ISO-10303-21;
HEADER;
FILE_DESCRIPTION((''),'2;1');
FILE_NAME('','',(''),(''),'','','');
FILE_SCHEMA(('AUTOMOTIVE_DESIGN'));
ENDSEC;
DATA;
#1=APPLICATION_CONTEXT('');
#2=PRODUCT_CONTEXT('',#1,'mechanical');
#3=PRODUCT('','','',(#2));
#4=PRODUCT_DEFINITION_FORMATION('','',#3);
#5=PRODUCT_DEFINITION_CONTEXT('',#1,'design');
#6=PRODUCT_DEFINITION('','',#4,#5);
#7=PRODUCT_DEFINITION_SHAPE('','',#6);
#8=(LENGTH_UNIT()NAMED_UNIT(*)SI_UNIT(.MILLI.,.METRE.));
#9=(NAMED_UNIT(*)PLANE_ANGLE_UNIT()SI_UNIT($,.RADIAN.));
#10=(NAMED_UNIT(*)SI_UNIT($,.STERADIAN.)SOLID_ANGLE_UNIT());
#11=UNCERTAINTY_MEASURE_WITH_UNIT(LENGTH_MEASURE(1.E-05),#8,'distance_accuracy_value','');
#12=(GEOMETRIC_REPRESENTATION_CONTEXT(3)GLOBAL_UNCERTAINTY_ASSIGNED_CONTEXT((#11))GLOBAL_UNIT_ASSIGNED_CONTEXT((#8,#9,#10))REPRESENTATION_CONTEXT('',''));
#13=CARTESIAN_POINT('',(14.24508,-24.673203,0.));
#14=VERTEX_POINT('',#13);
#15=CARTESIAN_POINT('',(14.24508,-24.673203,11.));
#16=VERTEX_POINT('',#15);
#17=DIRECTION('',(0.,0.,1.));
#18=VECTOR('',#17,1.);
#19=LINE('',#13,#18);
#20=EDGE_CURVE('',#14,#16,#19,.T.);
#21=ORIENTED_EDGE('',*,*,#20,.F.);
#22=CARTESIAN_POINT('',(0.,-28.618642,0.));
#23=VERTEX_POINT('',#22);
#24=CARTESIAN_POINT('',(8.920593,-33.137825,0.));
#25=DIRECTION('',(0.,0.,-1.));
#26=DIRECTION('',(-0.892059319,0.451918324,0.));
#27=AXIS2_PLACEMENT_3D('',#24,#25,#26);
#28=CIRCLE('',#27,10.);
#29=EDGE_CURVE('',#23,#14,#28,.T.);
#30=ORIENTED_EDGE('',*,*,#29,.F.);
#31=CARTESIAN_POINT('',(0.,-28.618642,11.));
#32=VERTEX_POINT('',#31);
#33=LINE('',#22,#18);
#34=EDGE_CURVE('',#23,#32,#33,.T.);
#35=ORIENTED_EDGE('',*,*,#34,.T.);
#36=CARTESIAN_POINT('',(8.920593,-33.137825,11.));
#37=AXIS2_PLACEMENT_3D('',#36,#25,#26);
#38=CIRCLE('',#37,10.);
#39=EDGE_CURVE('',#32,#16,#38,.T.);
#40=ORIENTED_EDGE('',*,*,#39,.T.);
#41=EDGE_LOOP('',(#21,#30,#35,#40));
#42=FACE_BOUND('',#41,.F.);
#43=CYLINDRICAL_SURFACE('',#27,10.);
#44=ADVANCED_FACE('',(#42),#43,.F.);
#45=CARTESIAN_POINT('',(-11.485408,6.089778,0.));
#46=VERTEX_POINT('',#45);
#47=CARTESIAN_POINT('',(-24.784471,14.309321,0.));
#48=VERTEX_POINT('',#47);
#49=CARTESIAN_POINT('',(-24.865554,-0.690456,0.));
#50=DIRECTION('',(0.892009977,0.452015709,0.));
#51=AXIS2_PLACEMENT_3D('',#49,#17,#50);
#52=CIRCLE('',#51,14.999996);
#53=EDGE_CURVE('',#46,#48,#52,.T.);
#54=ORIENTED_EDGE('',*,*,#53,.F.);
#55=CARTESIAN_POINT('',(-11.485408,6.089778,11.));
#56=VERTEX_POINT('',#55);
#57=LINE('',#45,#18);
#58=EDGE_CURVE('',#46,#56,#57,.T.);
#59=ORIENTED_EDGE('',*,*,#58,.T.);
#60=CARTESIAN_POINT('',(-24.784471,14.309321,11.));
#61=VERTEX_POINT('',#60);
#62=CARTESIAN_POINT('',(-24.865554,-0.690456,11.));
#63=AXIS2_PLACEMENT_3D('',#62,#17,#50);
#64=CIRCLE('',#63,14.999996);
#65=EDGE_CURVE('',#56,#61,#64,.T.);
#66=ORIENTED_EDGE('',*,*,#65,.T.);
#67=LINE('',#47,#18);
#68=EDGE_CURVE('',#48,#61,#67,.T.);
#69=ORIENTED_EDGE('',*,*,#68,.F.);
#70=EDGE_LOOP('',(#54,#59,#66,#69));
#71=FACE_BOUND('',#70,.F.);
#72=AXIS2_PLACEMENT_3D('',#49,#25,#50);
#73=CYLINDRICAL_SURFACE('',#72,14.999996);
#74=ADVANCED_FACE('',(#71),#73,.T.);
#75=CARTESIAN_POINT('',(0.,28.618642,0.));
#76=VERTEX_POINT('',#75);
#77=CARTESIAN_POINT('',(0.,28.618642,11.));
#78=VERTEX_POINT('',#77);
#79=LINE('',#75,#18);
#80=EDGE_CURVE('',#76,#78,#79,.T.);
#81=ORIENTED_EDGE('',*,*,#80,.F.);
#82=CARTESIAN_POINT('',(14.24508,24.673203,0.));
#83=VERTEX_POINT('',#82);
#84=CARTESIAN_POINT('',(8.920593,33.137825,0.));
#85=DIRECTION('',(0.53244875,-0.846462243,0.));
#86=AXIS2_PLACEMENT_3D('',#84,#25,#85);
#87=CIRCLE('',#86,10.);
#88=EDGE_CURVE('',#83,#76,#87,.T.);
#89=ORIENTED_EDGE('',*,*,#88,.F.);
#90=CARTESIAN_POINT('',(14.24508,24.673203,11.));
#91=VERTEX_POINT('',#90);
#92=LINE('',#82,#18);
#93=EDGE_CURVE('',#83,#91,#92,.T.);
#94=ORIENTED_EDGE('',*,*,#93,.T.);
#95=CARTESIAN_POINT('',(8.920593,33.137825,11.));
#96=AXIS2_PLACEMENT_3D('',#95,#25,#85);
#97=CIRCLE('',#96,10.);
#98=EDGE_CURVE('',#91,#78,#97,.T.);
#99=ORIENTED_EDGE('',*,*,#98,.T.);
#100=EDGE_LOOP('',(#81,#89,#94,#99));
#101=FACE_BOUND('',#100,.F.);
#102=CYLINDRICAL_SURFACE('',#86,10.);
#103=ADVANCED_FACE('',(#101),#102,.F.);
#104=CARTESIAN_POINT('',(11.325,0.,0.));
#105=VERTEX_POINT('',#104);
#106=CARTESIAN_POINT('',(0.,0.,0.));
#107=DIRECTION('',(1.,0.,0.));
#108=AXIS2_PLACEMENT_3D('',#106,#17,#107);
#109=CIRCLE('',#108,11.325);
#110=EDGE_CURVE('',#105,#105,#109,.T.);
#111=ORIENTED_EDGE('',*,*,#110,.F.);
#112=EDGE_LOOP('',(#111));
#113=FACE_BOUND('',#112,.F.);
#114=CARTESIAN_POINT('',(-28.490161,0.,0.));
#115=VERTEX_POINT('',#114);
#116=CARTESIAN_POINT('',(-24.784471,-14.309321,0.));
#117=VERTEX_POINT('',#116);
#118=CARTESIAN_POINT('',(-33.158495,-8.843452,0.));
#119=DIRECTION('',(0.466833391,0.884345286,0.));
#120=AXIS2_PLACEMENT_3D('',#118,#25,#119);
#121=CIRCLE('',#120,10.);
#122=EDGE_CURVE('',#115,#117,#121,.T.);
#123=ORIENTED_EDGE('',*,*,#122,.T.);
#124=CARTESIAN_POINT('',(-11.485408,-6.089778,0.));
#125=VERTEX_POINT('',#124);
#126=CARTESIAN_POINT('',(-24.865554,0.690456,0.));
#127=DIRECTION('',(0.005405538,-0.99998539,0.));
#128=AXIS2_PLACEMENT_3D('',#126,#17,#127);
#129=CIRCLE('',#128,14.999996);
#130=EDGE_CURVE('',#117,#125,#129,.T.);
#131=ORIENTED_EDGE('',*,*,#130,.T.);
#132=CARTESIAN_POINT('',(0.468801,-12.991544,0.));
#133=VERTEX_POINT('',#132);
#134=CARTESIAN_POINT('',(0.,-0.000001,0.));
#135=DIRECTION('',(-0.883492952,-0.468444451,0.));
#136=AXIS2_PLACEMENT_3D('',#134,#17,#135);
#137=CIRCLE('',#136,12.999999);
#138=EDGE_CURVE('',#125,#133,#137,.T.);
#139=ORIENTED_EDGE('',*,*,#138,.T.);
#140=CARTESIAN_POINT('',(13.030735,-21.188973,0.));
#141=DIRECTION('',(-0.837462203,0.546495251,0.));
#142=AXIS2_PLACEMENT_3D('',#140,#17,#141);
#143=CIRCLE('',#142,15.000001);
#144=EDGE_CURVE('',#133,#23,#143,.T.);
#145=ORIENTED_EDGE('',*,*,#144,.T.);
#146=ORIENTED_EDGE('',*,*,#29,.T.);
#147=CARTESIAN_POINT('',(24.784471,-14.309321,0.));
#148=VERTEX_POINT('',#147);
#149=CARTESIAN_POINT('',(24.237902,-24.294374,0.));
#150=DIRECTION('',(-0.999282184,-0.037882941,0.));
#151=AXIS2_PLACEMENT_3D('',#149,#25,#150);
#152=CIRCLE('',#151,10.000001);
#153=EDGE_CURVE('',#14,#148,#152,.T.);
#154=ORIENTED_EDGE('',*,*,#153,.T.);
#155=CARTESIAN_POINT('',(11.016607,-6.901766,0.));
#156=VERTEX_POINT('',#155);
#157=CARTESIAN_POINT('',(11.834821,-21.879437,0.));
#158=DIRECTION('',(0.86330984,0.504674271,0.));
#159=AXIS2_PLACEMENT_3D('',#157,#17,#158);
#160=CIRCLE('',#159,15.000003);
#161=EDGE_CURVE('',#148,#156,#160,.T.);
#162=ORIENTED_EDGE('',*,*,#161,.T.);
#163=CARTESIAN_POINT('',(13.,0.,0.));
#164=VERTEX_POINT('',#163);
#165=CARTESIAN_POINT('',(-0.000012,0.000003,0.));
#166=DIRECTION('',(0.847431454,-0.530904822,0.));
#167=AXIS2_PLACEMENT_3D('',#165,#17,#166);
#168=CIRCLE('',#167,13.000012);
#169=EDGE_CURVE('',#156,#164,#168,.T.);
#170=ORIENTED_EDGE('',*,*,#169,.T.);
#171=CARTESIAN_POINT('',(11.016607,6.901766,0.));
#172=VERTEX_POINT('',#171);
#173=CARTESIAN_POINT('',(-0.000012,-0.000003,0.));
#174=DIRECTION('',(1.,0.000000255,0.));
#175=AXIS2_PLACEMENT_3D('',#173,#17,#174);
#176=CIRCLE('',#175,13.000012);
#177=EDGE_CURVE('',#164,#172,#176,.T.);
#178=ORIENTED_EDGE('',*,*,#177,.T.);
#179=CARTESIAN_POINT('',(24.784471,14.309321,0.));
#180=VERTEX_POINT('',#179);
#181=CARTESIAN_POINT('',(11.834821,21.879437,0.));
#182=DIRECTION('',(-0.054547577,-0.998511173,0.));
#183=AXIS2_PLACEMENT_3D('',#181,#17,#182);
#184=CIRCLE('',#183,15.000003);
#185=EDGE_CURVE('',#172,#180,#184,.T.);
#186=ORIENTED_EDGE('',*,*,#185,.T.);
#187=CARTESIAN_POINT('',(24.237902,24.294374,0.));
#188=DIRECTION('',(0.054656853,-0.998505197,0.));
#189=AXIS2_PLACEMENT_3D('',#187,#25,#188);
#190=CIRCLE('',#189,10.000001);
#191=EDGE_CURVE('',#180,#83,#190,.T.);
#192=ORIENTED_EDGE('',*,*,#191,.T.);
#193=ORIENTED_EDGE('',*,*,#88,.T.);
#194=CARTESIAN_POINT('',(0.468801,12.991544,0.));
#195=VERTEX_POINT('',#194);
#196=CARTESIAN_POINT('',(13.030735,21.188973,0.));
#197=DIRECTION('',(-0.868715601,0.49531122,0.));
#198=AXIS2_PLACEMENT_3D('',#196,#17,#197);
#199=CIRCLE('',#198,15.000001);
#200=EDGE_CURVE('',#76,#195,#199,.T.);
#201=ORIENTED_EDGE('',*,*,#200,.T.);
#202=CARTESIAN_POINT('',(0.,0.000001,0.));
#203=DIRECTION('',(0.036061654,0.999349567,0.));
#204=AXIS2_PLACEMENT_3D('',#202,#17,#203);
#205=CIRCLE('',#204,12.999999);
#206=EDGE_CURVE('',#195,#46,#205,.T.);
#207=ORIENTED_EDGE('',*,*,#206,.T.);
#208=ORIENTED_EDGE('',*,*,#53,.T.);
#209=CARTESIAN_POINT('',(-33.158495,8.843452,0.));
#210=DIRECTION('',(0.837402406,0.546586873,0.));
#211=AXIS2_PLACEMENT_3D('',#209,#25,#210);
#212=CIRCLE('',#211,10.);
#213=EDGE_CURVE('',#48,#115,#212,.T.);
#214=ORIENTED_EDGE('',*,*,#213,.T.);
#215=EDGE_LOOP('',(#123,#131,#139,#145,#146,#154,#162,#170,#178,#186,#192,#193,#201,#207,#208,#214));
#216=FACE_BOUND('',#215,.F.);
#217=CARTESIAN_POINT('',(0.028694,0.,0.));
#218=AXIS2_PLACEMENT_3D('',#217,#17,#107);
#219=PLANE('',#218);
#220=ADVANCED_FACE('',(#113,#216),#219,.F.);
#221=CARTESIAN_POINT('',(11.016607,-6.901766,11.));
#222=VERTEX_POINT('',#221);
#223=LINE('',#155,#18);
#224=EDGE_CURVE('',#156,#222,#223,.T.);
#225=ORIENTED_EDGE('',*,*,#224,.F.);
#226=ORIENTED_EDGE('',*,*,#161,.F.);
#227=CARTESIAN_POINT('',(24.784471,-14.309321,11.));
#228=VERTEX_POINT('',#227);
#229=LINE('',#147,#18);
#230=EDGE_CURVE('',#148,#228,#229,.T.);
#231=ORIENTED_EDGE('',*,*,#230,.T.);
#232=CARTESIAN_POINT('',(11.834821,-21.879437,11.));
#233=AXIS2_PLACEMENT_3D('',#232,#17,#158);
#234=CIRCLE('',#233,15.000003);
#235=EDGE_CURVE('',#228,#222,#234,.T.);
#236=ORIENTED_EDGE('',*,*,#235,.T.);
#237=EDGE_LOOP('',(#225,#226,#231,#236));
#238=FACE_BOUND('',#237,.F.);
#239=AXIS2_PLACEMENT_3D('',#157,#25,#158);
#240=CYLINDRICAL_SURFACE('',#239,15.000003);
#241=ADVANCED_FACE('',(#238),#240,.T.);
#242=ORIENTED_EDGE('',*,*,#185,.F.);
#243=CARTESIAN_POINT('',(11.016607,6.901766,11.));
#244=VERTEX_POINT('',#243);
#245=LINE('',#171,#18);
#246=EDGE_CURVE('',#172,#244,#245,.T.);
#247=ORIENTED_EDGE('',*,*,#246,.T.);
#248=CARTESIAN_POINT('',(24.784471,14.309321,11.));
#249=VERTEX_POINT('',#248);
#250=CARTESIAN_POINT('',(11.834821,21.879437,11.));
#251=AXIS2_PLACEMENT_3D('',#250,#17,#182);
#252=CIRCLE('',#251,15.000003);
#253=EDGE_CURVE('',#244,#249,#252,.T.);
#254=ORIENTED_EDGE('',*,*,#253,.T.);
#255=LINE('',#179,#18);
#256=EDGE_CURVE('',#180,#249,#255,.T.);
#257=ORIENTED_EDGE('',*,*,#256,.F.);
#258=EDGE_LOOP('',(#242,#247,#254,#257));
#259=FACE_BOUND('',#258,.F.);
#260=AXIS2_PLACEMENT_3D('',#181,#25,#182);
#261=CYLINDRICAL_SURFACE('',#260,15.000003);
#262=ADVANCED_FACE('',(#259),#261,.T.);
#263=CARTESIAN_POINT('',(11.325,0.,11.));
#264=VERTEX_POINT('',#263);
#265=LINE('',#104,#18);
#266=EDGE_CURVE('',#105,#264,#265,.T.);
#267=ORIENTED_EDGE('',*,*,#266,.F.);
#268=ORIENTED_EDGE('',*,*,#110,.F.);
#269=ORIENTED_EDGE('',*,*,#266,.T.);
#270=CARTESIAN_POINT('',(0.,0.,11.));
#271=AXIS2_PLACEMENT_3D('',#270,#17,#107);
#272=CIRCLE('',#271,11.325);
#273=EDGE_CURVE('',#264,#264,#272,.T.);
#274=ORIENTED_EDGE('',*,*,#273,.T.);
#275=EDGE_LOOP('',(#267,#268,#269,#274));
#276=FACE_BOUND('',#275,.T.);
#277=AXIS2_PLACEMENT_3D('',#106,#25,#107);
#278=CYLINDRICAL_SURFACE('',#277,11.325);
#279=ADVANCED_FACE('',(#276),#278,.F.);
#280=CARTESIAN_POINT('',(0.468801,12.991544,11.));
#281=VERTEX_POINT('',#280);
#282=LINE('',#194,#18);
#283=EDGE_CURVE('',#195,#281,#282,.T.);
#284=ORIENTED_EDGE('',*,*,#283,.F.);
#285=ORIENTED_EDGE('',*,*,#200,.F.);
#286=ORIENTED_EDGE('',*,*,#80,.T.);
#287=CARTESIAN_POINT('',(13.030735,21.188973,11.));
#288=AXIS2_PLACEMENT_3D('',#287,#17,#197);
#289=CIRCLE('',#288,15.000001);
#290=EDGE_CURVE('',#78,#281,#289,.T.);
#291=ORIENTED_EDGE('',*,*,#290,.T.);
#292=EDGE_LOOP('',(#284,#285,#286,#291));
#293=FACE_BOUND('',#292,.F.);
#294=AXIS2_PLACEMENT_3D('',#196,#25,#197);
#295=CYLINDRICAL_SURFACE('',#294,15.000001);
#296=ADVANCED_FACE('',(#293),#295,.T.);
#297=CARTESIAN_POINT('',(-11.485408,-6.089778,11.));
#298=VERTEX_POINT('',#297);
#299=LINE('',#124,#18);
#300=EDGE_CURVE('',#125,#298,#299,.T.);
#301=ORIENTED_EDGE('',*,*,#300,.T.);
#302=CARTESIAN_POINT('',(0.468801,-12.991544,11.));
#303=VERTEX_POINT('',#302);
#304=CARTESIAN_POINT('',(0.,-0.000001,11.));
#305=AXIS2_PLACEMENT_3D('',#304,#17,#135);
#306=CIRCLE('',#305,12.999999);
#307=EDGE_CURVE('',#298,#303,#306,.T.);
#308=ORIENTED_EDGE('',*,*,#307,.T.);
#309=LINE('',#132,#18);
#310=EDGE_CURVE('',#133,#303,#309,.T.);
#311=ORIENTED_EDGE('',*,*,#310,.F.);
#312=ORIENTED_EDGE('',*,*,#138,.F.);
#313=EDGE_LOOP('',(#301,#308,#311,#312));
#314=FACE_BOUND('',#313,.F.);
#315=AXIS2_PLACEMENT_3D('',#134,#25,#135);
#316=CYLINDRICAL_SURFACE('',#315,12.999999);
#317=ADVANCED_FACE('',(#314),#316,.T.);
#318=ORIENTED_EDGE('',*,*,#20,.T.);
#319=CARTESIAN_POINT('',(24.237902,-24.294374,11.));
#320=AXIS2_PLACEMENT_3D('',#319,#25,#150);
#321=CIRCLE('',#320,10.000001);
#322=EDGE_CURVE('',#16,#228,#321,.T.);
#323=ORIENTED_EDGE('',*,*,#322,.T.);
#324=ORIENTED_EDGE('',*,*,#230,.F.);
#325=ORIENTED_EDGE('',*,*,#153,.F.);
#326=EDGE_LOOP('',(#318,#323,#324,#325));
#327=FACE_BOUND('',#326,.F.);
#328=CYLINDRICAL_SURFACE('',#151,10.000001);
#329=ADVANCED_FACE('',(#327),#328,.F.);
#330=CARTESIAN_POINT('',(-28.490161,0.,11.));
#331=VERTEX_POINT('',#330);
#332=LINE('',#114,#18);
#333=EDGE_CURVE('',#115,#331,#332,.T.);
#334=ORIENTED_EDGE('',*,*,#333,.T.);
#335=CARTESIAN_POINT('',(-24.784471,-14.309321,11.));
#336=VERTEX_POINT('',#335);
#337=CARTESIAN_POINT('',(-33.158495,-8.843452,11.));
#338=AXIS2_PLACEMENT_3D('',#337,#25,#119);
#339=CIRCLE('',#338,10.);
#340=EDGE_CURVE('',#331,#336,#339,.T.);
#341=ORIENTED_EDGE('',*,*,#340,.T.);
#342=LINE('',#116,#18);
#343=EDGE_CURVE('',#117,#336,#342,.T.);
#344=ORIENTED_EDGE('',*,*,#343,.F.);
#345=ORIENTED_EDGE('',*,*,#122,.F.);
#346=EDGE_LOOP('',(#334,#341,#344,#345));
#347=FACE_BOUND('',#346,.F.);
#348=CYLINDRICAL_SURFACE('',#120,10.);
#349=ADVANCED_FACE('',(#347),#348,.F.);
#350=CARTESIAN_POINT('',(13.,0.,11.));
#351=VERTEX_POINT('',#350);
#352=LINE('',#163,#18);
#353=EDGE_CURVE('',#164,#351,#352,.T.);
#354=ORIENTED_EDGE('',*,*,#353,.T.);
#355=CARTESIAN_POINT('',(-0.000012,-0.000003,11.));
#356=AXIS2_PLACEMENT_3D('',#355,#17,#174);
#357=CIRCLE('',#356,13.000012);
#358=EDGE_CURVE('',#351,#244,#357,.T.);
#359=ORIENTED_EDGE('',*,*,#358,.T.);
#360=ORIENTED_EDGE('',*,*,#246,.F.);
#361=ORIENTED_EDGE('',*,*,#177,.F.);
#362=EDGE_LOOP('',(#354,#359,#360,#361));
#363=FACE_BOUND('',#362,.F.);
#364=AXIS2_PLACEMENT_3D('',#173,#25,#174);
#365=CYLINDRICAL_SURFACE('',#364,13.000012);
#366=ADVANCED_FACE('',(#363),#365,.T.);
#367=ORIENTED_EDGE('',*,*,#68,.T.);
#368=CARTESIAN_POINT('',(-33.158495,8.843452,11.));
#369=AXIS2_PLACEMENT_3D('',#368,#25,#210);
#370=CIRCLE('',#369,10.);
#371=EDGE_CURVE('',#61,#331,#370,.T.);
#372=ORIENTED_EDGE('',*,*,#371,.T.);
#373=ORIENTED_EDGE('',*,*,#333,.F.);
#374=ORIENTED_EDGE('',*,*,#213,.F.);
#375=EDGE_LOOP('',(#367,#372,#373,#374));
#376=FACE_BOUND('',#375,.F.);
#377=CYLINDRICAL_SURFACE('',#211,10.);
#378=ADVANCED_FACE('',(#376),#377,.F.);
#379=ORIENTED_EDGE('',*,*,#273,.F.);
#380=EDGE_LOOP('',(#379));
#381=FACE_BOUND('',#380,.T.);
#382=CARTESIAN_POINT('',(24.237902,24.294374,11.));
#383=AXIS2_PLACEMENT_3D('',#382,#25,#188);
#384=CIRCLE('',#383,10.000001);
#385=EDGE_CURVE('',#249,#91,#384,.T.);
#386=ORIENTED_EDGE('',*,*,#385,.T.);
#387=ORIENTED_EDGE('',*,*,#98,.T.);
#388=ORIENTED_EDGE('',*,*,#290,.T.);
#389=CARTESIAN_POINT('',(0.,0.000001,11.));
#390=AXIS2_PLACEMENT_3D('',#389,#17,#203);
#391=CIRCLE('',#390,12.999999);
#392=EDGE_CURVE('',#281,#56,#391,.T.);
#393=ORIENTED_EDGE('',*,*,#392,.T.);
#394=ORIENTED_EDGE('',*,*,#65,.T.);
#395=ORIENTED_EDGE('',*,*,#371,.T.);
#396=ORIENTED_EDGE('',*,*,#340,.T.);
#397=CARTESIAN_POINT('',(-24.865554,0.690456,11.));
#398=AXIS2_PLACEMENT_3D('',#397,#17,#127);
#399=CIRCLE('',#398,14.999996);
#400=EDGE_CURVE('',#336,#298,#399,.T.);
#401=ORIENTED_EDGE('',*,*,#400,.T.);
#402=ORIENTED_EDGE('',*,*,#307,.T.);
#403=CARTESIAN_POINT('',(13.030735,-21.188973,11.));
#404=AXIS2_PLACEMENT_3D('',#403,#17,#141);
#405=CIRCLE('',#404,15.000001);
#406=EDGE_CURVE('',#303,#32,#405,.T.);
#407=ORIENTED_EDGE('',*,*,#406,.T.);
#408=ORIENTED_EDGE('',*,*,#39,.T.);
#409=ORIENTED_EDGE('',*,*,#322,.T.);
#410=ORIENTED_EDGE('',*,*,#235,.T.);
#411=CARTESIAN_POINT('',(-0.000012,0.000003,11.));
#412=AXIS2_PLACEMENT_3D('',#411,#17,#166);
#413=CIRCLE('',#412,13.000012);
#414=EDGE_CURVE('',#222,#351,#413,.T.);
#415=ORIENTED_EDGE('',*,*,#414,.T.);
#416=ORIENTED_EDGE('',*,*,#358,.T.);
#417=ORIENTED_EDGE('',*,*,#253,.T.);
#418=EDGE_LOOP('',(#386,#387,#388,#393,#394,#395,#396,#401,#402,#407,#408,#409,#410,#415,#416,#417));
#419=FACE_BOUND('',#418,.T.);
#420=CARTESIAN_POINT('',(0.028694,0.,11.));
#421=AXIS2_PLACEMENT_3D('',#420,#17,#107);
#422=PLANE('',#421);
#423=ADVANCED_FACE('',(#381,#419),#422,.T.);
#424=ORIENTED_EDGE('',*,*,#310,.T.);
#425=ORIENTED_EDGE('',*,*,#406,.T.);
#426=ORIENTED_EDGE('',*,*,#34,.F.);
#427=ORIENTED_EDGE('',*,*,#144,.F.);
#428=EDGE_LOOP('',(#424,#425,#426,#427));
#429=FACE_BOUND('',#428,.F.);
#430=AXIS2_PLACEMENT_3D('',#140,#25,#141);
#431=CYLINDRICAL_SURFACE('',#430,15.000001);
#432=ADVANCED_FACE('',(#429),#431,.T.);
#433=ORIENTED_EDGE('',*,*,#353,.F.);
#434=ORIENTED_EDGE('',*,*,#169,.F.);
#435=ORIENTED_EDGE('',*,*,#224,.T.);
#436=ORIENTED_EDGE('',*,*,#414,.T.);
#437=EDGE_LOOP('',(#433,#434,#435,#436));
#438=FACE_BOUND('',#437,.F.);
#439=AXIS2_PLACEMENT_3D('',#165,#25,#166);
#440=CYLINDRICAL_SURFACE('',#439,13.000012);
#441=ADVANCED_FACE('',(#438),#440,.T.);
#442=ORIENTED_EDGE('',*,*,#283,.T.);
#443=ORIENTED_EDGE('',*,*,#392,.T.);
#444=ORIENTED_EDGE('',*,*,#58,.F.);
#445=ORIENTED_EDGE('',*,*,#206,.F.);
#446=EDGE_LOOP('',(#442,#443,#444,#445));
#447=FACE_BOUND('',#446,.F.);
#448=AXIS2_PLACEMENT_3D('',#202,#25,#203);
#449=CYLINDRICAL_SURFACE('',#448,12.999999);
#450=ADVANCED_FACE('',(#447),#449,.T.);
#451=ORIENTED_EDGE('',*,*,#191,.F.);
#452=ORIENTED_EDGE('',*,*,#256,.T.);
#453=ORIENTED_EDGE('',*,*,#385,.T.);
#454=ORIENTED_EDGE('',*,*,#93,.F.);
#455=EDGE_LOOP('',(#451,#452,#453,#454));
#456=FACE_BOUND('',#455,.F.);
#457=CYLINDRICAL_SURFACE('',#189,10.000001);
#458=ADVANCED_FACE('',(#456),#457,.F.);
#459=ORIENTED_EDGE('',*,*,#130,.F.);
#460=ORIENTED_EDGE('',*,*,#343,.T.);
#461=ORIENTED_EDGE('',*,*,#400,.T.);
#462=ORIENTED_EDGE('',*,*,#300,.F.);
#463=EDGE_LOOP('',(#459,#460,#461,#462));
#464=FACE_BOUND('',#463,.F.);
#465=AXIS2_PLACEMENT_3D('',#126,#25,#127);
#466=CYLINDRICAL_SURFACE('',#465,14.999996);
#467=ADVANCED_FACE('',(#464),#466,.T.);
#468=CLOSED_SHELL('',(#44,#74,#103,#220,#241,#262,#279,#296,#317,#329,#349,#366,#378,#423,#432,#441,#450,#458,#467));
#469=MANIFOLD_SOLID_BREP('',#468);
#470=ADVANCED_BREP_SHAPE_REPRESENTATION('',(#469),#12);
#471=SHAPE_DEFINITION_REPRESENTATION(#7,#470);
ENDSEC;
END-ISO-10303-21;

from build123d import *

# Parameters (mm, degrees)
F0_R     = 11.325
F1_DEPTH = 11


with BuildPart() as f1:
    # F0 (on Top) → F1 (new body)
    with BuildSketch(Plane.XY):
        with BuildLine():
            ThreePointArc((11.016607, -6.901766), (12.494316, -3.590551), (13, 0))
            ThreePointArc((13, 0), (12.494316, 3.590551), (11.016607, 6.901766))
            ThreePointArc((11.016607, 6.901766), (6.5, 11.25833), (0.468801, 12.991544))
            ThreePointArc((0.468801, 12.991544), (-6.5, 11.25833), (-11.485408, 6.089778))
            ThreePointArc((-11.485408, 6.089778), (-13, 0), (-11.485408, -6.089778))
            ThreePointArc((-11.485408, -6.089778), (-6.5, -11.25833), (0.468801, -12.991544))
            ThreePointArc((0.468801, -12.991544), (6.5, -11.25833), (11.016607, -6.901766))
        make_face()
        Circle(F0_R, mode=Mode.SUBTRACT)
        with BuildLine():
            ThreePointArc((0.468801, 12.991544), (6.5, 11.25833), (11.016607, 6.901766))
            ThreePointArc((11.016607, 6.901766), (18.941923, 8.670001), (24.784471, 14.309321))
            ThreePointArc((24.784471, 14.309321), (17.226452, 17.164186), (14.24508, 24.673203))
            ThreePointArc((14.24508, 24.673203), (6.251395, 23.500638), (0, 28.618642))
            ThreePointArc((0, 28.618642), (-1.962521, 20.739187), (0.468801, 12.991544))
        make_face()
        with BuildLine():
            ThreePointArc((24.784471, -14.309321), (18.941923, -8.670001), (11.016607, -6.901766))
            ThreePointArc((11.016607, -6.901766), (6.5, -11.25833), (0.468801, -12.991544))
            ThreePointArc((0.468801, -12.991544), (-1.962521, -20.739187), (0, -28.618642))
            ThreePointArc((0, -28.618642), (6.251395, -23.500638), (14.24508, -24.673203))
            ThreePointArc((14.24508, -24.673203), (17.226452, -17.164186), (24.784471, -14.309321))
        make_face()
        with BuildLine():
            ThreePointArc((-11.485408, -6.089778), (-13, 0), (-11.485408, 6.089778))
            ThreePointArc((-11.485408, 6.089778), (-16.979402, 12.069187), (-24.784471, 14.309321))
            ThreePointArc((-24.784471, 14.309321), (-23.477847, 6.336452), (-28.490161, 0))
            ThreePointArc((-28.490161, 0), (-23.477847, -6.336452), (-24.784471, -14.309321))
            ThreePointArc((-24.784471, -14.309321), (-16.979402, -12.069187), (-11.485408, -6.089778))
        make_face()
    extrude(amount=F1_DEPTH)


solid = f1.part
